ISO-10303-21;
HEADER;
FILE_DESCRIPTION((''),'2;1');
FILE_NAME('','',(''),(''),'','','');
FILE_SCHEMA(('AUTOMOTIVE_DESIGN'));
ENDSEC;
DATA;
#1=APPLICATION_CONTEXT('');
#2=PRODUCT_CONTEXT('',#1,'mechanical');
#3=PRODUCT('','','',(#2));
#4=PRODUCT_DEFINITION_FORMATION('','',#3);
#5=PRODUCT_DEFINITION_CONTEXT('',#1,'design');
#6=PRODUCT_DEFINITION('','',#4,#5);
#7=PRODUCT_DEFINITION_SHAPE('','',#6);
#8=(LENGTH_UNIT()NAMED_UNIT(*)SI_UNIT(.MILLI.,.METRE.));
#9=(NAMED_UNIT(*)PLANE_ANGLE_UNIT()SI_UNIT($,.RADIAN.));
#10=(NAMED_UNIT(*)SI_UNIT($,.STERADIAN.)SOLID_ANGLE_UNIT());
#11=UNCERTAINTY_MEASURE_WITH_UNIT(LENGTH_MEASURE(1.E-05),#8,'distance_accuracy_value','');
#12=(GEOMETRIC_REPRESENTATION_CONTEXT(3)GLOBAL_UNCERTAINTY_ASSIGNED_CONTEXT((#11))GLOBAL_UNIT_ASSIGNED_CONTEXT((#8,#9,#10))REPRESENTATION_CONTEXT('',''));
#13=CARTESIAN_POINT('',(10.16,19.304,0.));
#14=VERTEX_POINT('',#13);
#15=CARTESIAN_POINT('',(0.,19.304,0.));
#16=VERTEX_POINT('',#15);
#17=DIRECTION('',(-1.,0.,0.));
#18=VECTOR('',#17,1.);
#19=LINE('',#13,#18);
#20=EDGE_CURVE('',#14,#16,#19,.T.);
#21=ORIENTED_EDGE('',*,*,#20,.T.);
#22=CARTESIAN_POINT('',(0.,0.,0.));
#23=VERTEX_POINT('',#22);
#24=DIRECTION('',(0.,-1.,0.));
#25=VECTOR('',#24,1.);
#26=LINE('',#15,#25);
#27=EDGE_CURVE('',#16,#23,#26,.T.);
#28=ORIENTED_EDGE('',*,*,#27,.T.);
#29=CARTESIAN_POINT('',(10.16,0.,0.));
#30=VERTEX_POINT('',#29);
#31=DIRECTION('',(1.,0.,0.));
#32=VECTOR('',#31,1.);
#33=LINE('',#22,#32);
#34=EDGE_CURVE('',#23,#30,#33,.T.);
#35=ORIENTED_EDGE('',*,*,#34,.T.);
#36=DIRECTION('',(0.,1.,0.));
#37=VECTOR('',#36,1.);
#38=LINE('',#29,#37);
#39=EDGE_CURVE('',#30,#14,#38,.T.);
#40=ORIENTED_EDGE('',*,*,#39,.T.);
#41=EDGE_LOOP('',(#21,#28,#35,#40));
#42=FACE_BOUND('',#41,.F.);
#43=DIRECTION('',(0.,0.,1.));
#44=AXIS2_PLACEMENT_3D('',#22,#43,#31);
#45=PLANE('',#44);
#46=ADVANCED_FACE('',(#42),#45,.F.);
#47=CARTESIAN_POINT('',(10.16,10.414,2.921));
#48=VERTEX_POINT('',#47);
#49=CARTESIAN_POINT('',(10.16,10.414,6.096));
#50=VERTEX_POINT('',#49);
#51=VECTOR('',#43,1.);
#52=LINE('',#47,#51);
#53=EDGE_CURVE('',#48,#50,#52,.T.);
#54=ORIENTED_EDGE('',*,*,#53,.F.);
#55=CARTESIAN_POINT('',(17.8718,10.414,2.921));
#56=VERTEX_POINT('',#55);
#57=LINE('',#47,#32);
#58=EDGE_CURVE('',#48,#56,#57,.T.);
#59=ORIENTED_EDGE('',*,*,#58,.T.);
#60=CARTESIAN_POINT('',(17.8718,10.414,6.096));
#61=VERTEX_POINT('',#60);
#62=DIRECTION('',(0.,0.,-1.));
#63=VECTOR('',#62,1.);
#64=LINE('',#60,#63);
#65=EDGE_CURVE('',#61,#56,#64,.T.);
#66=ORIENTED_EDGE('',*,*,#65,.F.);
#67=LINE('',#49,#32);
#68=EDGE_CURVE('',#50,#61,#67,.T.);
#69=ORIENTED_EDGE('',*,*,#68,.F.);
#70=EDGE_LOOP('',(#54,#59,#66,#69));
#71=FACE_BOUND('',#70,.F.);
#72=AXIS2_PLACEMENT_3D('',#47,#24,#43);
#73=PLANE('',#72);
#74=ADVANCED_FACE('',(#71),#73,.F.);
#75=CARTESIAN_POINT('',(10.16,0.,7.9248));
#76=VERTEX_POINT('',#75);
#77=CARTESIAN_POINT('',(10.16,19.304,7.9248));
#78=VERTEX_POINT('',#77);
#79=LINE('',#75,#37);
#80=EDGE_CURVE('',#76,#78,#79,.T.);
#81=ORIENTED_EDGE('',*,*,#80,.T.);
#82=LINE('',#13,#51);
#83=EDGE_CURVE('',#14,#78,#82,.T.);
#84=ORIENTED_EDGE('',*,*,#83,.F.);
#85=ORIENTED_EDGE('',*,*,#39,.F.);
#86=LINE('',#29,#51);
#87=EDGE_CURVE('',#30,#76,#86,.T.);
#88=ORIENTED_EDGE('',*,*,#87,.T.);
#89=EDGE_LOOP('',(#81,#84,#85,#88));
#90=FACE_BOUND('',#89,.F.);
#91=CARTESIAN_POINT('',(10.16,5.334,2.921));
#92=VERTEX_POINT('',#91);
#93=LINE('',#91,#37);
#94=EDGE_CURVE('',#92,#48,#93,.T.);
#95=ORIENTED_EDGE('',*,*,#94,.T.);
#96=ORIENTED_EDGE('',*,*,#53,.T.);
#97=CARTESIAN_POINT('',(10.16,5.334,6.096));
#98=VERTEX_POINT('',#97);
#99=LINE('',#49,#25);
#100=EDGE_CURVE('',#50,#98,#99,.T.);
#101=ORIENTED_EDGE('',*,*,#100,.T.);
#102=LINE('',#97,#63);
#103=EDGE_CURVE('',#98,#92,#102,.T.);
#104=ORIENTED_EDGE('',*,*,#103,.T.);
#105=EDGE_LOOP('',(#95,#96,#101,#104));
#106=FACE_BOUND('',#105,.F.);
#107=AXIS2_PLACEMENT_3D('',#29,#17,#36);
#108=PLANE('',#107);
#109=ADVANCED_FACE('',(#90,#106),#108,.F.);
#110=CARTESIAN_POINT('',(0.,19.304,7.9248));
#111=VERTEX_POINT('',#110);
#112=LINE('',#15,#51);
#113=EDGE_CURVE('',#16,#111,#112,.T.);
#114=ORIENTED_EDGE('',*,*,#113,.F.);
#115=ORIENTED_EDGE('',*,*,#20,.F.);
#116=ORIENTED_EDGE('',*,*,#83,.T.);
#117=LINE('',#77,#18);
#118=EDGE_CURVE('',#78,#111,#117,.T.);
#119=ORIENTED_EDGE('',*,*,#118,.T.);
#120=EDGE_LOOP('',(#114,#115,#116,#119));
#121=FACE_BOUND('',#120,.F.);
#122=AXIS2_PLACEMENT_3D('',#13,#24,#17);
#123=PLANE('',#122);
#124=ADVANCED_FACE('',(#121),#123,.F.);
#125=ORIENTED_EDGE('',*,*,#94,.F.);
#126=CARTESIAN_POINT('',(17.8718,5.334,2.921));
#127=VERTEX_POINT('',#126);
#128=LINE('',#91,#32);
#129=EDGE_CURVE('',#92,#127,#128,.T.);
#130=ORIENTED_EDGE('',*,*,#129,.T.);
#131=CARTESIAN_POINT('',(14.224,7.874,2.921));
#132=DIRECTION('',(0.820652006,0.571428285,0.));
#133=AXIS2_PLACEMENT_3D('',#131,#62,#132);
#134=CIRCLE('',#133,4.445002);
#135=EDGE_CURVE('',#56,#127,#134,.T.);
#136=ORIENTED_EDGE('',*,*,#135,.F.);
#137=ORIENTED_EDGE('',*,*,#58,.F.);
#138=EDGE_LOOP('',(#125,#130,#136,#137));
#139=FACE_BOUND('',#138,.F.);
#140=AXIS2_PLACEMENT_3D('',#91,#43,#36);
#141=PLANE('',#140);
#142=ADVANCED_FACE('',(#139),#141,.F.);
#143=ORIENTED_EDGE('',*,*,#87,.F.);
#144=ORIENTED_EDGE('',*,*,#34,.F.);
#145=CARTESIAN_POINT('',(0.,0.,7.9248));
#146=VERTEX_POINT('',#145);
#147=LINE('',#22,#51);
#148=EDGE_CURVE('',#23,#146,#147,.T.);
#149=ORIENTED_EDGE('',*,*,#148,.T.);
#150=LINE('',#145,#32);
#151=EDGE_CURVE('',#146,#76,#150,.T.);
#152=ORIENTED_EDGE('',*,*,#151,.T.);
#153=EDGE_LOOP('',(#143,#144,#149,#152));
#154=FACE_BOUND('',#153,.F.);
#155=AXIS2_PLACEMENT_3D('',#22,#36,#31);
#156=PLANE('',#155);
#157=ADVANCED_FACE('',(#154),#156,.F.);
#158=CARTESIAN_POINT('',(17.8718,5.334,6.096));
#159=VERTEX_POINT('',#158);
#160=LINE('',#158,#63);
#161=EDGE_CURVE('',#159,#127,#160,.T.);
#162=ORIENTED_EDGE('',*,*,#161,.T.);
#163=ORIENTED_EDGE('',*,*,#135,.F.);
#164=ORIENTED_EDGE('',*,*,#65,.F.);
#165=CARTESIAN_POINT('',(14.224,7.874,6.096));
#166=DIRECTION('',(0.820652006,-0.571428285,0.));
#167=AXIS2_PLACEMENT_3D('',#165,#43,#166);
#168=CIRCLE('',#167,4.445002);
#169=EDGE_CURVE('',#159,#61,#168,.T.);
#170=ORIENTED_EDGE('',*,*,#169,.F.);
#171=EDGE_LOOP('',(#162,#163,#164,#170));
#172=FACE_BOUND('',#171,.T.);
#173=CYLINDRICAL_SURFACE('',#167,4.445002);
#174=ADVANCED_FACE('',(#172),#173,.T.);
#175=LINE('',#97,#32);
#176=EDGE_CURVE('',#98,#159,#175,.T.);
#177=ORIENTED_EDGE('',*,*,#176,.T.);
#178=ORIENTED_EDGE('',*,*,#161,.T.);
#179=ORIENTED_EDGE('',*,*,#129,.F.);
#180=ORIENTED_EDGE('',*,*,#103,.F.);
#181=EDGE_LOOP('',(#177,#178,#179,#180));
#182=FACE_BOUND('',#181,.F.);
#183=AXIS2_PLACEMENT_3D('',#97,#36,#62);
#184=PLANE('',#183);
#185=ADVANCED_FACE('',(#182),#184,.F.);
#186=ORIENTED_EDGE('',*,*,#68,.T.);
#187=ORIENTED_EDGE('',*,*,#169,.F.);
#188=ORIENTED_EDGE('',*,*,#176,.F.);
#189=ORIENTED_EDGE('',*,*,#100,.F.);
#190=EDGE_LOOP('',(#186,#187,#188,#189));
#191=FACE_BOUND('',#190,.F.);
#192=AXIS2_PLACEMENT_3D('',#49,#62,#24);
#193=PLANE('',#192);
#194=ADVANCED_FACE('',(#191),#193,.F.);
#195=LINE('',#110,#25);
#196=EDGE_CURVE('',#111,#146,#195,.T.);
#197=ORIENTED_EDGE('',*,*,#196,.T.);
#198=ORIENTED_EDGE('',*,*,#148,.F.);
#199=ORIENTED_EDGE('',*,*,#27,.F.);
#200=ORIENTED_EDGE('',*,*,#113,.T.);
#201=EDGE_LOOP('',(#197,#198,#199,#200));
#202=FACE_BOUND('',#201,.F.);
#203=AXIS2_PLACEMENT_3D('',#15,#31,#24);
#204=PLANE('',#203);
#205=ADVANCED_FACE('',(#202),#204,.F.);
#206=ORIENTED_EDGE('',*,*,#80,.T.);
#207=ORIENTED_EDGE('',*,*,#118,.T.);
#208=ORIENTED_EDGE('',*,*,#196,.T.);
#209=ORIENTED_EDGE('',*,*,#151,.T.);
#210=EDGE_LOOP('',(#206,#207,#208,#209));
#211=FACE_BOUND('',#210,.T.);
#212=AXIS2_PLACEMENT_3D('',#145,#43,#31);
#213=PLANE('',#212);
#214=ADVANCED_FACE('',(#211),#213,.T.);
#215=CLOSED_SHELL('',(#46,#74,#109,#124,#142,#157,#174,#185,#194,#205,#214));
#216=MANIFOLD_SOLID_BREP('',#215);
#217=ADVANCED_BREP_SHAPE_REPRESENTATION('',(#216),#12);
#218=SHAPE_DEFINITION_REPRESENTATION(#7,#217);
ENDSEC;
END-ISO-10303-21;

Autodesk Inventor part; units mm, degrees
ref_plane "YZ Plane" through (0, 0, 0) normal (1, 0, 0) x (0, 1, 0)
ref_plane "XZ Plane" through (0, 0, 0) normal (0, 1, 0) x (-1, 0, 0)
ref_plane "XY Plane" through (0, 0, 0) normal (0, 0, 1) x (1, 0, 0)
sketch "Sketch1" plane through (0, 0, 0) normal (0, 0, 1) x (1, 0, 0)
  line L0 (0, 0) -> (10.16, 0)
  line L1 (10.16, 0) -> (10.16, 19.304)
  line L2 (10.16, 19.304) -> (0, 19.304)
  line L3 (0, 19.304) -> (0, 0)
  dimension "d0" = 10.16
  dimension "d1" = 19.304
extrude "Extrusion1" add sketch "Sketch1" along normal blind 7.9248
sketch "Sketch2" plane through (10.16, 0, 0) normal (1, 0, 0) x (0, 0, -1)
  line L0 (0, 0) -> (-7.9248, 0) projected
  line L1 (0, 0) -> (0, 19.304) projected
  line L2 (0, 19.304) -> (-7.9248, 19.304) projected
  line L3 (-2.921, 10.414) -> (-6.096, 10.414)
  line L4 (-6.096, 10.414) -> (-6.096, 5.334)
  line L5 (-6.096, 5.334) -> (-2.921, 5.334)
  line L6 (-2.921, 5.334) -> (-2.921, 10.414)
  line L7 (-6.096, 10.414) -> (-6.096, 13.97)
  line L8 (-6.096, 13.97) -> (-2.921, 13.97)
  line L9 (-2.921, 13.97) -> (-2.921, 10.414)
  dimension "d5" = 5.08
  dimension "d6" = 3.175
  dimension "d9" = 2.921
  dimension "d10" = 3.556
  dimension "d11" = 5.334
  dimension "d13" = 5.334
extrude "Extrusion2" add sketch "Sketch2" along normal blind 8.509 contours L6 L5 L4 L3
sketch "Sketch3" plane through (10.16, 5.334, 6.096) normal (0, 0, 1) x (1, 0, 0)
  line L0 (8.509, 0) -> (8.509, 5.08) projected
  line L1 (0, 5.08) -> (8.509, 5.08) projected
  line L2 (0, 0) -> (0, 5.08) projected
  line L3 (0, 0) -> (8.509, 0) projected
  arc A0 (7.7118, 0) -> (7.7118, 5.08) centre (4.064, 2.54) ccw
  point P0 (-10.16, -5.334)
  dimension "d17" = 4.445
extrude "Extrusion3" cut sketch "Sketch3" against normal through all contours L3 A0 L0 | A0 L1 L0
equation "\"d11\" = d13"
properties part number "power_switch"
